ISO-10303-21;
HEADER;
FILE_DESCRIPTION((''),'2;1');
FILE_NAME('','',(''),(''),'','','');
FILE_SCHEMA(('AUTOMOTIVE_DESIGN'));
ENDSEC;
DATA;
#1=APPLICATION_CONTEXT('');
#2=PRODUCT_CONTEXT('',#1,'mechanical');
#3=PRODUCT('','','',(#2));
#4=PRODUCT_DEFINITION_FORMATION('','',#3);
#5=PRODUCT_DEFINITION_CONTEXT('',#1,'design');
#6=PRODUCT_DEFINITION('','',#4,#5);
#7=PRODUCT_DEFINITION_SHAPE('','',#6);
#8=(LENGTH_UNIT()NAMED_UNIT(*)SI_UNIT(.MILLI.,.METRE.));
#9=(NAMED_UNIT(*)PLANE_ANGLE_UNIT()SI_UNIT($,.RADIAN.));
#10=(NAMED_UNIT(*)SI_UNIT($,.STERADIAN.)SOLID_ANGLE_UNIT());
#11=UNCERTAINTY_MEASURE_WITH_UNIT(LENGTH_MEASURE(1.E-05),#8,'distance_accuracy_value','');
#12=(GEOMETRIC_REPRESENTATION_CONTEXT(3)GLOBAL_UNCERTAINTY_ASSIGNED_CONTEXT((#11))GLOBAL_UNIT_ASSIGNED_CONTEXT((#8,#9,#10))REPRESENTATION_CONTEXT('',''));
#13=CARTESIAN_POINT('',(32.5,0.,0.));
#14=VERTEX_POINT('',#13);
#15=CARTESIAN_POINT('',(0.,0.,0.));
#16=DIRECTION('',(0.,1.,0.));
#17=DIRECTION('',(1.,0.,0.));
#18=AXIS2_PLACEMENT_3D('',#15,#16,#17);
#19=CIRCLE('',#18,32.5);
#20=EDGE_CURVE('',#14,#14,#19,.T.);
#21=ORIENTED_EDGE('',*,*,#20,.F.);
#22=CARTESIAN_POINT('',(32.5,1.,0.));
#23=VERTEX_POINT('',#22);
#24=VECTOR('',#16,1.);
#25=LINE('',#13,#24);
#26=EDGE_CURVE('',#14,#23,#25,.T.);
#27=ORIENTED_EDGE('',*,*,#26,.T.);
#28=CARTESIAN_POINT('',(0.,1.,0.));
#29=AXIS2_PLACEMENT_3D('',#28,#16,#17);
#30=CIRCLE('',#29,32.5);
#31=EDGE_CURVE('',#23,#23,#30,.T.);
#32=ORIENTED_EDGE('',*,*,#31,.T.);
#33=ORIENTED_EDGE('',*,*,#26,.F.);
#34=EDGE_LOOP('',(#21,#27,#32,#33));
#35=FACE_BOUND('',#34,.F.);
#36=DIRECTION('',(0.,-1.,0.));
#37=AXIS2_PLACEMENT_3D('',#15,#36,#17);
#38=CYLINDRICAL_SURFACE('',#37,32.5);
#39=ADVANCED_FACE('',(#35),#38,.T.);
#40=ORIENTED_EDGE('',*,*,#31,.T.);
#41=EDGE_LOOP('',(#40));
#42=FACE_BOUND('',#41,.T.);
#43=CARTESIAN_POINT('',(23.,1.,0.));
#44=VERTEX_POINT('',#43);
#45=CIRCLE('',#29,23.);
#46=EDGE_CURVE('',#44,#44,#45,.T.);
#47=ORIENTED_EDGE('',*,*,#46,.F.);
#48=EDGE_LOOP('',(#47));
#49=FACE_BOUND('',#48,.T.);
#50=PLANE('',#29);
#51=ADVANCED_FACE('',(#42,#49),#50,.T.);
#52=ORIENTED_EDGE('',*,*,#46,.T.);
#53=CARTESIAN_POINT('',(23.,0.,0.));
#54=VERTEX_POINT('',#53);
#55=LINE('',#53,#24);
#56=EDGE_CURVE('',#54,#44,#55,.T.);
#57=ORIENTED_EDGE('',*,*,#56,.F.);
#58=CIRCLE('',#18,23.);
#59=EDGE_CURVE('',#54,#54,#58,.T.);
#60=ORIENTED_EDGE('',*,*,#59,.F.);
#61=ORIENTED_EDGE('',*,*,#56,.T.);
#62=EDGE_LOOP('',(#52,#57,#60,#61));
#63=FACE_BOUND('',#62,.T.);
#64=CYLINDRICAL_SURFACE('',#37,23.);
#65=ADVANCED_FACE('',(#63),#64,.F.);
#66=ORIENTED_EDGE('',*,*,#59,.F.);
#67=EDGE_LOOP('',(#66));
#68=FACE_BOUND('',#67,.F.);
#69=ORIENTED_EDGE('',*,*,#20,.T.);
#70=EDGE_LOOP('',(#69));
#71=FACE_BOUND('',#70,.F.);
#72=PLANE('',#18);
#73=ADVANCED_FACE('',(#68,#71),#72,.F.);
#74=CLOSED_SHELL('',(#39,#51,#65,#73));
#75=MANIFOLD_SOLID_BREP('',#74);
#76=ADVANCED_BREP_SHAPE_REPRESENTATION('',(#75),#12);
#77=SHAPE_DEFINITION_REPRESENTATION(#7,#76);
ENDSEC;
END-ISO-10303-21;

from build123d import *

# Parameters (mm, degrees)
SKETCH1_R      = 32.5
SKETCH1_R_2    = 23
EXTRUDE1_DEPTH = 1


with BuildPart() as part:
    # Sketch1 → Extrude1 (new body)
    with BuildSketch(Plane(origin=(0, 0, 0), x_dir=(1, 0, 0), z_dir=(0, 1, 0))):
        Circle(SKETCH1_R)
        Circle(SKETCH1_R_2, mode=Mode.SUBTRACT)
    extrude(amount=EXTRUDE1_DEPTH)


solid = part.part
